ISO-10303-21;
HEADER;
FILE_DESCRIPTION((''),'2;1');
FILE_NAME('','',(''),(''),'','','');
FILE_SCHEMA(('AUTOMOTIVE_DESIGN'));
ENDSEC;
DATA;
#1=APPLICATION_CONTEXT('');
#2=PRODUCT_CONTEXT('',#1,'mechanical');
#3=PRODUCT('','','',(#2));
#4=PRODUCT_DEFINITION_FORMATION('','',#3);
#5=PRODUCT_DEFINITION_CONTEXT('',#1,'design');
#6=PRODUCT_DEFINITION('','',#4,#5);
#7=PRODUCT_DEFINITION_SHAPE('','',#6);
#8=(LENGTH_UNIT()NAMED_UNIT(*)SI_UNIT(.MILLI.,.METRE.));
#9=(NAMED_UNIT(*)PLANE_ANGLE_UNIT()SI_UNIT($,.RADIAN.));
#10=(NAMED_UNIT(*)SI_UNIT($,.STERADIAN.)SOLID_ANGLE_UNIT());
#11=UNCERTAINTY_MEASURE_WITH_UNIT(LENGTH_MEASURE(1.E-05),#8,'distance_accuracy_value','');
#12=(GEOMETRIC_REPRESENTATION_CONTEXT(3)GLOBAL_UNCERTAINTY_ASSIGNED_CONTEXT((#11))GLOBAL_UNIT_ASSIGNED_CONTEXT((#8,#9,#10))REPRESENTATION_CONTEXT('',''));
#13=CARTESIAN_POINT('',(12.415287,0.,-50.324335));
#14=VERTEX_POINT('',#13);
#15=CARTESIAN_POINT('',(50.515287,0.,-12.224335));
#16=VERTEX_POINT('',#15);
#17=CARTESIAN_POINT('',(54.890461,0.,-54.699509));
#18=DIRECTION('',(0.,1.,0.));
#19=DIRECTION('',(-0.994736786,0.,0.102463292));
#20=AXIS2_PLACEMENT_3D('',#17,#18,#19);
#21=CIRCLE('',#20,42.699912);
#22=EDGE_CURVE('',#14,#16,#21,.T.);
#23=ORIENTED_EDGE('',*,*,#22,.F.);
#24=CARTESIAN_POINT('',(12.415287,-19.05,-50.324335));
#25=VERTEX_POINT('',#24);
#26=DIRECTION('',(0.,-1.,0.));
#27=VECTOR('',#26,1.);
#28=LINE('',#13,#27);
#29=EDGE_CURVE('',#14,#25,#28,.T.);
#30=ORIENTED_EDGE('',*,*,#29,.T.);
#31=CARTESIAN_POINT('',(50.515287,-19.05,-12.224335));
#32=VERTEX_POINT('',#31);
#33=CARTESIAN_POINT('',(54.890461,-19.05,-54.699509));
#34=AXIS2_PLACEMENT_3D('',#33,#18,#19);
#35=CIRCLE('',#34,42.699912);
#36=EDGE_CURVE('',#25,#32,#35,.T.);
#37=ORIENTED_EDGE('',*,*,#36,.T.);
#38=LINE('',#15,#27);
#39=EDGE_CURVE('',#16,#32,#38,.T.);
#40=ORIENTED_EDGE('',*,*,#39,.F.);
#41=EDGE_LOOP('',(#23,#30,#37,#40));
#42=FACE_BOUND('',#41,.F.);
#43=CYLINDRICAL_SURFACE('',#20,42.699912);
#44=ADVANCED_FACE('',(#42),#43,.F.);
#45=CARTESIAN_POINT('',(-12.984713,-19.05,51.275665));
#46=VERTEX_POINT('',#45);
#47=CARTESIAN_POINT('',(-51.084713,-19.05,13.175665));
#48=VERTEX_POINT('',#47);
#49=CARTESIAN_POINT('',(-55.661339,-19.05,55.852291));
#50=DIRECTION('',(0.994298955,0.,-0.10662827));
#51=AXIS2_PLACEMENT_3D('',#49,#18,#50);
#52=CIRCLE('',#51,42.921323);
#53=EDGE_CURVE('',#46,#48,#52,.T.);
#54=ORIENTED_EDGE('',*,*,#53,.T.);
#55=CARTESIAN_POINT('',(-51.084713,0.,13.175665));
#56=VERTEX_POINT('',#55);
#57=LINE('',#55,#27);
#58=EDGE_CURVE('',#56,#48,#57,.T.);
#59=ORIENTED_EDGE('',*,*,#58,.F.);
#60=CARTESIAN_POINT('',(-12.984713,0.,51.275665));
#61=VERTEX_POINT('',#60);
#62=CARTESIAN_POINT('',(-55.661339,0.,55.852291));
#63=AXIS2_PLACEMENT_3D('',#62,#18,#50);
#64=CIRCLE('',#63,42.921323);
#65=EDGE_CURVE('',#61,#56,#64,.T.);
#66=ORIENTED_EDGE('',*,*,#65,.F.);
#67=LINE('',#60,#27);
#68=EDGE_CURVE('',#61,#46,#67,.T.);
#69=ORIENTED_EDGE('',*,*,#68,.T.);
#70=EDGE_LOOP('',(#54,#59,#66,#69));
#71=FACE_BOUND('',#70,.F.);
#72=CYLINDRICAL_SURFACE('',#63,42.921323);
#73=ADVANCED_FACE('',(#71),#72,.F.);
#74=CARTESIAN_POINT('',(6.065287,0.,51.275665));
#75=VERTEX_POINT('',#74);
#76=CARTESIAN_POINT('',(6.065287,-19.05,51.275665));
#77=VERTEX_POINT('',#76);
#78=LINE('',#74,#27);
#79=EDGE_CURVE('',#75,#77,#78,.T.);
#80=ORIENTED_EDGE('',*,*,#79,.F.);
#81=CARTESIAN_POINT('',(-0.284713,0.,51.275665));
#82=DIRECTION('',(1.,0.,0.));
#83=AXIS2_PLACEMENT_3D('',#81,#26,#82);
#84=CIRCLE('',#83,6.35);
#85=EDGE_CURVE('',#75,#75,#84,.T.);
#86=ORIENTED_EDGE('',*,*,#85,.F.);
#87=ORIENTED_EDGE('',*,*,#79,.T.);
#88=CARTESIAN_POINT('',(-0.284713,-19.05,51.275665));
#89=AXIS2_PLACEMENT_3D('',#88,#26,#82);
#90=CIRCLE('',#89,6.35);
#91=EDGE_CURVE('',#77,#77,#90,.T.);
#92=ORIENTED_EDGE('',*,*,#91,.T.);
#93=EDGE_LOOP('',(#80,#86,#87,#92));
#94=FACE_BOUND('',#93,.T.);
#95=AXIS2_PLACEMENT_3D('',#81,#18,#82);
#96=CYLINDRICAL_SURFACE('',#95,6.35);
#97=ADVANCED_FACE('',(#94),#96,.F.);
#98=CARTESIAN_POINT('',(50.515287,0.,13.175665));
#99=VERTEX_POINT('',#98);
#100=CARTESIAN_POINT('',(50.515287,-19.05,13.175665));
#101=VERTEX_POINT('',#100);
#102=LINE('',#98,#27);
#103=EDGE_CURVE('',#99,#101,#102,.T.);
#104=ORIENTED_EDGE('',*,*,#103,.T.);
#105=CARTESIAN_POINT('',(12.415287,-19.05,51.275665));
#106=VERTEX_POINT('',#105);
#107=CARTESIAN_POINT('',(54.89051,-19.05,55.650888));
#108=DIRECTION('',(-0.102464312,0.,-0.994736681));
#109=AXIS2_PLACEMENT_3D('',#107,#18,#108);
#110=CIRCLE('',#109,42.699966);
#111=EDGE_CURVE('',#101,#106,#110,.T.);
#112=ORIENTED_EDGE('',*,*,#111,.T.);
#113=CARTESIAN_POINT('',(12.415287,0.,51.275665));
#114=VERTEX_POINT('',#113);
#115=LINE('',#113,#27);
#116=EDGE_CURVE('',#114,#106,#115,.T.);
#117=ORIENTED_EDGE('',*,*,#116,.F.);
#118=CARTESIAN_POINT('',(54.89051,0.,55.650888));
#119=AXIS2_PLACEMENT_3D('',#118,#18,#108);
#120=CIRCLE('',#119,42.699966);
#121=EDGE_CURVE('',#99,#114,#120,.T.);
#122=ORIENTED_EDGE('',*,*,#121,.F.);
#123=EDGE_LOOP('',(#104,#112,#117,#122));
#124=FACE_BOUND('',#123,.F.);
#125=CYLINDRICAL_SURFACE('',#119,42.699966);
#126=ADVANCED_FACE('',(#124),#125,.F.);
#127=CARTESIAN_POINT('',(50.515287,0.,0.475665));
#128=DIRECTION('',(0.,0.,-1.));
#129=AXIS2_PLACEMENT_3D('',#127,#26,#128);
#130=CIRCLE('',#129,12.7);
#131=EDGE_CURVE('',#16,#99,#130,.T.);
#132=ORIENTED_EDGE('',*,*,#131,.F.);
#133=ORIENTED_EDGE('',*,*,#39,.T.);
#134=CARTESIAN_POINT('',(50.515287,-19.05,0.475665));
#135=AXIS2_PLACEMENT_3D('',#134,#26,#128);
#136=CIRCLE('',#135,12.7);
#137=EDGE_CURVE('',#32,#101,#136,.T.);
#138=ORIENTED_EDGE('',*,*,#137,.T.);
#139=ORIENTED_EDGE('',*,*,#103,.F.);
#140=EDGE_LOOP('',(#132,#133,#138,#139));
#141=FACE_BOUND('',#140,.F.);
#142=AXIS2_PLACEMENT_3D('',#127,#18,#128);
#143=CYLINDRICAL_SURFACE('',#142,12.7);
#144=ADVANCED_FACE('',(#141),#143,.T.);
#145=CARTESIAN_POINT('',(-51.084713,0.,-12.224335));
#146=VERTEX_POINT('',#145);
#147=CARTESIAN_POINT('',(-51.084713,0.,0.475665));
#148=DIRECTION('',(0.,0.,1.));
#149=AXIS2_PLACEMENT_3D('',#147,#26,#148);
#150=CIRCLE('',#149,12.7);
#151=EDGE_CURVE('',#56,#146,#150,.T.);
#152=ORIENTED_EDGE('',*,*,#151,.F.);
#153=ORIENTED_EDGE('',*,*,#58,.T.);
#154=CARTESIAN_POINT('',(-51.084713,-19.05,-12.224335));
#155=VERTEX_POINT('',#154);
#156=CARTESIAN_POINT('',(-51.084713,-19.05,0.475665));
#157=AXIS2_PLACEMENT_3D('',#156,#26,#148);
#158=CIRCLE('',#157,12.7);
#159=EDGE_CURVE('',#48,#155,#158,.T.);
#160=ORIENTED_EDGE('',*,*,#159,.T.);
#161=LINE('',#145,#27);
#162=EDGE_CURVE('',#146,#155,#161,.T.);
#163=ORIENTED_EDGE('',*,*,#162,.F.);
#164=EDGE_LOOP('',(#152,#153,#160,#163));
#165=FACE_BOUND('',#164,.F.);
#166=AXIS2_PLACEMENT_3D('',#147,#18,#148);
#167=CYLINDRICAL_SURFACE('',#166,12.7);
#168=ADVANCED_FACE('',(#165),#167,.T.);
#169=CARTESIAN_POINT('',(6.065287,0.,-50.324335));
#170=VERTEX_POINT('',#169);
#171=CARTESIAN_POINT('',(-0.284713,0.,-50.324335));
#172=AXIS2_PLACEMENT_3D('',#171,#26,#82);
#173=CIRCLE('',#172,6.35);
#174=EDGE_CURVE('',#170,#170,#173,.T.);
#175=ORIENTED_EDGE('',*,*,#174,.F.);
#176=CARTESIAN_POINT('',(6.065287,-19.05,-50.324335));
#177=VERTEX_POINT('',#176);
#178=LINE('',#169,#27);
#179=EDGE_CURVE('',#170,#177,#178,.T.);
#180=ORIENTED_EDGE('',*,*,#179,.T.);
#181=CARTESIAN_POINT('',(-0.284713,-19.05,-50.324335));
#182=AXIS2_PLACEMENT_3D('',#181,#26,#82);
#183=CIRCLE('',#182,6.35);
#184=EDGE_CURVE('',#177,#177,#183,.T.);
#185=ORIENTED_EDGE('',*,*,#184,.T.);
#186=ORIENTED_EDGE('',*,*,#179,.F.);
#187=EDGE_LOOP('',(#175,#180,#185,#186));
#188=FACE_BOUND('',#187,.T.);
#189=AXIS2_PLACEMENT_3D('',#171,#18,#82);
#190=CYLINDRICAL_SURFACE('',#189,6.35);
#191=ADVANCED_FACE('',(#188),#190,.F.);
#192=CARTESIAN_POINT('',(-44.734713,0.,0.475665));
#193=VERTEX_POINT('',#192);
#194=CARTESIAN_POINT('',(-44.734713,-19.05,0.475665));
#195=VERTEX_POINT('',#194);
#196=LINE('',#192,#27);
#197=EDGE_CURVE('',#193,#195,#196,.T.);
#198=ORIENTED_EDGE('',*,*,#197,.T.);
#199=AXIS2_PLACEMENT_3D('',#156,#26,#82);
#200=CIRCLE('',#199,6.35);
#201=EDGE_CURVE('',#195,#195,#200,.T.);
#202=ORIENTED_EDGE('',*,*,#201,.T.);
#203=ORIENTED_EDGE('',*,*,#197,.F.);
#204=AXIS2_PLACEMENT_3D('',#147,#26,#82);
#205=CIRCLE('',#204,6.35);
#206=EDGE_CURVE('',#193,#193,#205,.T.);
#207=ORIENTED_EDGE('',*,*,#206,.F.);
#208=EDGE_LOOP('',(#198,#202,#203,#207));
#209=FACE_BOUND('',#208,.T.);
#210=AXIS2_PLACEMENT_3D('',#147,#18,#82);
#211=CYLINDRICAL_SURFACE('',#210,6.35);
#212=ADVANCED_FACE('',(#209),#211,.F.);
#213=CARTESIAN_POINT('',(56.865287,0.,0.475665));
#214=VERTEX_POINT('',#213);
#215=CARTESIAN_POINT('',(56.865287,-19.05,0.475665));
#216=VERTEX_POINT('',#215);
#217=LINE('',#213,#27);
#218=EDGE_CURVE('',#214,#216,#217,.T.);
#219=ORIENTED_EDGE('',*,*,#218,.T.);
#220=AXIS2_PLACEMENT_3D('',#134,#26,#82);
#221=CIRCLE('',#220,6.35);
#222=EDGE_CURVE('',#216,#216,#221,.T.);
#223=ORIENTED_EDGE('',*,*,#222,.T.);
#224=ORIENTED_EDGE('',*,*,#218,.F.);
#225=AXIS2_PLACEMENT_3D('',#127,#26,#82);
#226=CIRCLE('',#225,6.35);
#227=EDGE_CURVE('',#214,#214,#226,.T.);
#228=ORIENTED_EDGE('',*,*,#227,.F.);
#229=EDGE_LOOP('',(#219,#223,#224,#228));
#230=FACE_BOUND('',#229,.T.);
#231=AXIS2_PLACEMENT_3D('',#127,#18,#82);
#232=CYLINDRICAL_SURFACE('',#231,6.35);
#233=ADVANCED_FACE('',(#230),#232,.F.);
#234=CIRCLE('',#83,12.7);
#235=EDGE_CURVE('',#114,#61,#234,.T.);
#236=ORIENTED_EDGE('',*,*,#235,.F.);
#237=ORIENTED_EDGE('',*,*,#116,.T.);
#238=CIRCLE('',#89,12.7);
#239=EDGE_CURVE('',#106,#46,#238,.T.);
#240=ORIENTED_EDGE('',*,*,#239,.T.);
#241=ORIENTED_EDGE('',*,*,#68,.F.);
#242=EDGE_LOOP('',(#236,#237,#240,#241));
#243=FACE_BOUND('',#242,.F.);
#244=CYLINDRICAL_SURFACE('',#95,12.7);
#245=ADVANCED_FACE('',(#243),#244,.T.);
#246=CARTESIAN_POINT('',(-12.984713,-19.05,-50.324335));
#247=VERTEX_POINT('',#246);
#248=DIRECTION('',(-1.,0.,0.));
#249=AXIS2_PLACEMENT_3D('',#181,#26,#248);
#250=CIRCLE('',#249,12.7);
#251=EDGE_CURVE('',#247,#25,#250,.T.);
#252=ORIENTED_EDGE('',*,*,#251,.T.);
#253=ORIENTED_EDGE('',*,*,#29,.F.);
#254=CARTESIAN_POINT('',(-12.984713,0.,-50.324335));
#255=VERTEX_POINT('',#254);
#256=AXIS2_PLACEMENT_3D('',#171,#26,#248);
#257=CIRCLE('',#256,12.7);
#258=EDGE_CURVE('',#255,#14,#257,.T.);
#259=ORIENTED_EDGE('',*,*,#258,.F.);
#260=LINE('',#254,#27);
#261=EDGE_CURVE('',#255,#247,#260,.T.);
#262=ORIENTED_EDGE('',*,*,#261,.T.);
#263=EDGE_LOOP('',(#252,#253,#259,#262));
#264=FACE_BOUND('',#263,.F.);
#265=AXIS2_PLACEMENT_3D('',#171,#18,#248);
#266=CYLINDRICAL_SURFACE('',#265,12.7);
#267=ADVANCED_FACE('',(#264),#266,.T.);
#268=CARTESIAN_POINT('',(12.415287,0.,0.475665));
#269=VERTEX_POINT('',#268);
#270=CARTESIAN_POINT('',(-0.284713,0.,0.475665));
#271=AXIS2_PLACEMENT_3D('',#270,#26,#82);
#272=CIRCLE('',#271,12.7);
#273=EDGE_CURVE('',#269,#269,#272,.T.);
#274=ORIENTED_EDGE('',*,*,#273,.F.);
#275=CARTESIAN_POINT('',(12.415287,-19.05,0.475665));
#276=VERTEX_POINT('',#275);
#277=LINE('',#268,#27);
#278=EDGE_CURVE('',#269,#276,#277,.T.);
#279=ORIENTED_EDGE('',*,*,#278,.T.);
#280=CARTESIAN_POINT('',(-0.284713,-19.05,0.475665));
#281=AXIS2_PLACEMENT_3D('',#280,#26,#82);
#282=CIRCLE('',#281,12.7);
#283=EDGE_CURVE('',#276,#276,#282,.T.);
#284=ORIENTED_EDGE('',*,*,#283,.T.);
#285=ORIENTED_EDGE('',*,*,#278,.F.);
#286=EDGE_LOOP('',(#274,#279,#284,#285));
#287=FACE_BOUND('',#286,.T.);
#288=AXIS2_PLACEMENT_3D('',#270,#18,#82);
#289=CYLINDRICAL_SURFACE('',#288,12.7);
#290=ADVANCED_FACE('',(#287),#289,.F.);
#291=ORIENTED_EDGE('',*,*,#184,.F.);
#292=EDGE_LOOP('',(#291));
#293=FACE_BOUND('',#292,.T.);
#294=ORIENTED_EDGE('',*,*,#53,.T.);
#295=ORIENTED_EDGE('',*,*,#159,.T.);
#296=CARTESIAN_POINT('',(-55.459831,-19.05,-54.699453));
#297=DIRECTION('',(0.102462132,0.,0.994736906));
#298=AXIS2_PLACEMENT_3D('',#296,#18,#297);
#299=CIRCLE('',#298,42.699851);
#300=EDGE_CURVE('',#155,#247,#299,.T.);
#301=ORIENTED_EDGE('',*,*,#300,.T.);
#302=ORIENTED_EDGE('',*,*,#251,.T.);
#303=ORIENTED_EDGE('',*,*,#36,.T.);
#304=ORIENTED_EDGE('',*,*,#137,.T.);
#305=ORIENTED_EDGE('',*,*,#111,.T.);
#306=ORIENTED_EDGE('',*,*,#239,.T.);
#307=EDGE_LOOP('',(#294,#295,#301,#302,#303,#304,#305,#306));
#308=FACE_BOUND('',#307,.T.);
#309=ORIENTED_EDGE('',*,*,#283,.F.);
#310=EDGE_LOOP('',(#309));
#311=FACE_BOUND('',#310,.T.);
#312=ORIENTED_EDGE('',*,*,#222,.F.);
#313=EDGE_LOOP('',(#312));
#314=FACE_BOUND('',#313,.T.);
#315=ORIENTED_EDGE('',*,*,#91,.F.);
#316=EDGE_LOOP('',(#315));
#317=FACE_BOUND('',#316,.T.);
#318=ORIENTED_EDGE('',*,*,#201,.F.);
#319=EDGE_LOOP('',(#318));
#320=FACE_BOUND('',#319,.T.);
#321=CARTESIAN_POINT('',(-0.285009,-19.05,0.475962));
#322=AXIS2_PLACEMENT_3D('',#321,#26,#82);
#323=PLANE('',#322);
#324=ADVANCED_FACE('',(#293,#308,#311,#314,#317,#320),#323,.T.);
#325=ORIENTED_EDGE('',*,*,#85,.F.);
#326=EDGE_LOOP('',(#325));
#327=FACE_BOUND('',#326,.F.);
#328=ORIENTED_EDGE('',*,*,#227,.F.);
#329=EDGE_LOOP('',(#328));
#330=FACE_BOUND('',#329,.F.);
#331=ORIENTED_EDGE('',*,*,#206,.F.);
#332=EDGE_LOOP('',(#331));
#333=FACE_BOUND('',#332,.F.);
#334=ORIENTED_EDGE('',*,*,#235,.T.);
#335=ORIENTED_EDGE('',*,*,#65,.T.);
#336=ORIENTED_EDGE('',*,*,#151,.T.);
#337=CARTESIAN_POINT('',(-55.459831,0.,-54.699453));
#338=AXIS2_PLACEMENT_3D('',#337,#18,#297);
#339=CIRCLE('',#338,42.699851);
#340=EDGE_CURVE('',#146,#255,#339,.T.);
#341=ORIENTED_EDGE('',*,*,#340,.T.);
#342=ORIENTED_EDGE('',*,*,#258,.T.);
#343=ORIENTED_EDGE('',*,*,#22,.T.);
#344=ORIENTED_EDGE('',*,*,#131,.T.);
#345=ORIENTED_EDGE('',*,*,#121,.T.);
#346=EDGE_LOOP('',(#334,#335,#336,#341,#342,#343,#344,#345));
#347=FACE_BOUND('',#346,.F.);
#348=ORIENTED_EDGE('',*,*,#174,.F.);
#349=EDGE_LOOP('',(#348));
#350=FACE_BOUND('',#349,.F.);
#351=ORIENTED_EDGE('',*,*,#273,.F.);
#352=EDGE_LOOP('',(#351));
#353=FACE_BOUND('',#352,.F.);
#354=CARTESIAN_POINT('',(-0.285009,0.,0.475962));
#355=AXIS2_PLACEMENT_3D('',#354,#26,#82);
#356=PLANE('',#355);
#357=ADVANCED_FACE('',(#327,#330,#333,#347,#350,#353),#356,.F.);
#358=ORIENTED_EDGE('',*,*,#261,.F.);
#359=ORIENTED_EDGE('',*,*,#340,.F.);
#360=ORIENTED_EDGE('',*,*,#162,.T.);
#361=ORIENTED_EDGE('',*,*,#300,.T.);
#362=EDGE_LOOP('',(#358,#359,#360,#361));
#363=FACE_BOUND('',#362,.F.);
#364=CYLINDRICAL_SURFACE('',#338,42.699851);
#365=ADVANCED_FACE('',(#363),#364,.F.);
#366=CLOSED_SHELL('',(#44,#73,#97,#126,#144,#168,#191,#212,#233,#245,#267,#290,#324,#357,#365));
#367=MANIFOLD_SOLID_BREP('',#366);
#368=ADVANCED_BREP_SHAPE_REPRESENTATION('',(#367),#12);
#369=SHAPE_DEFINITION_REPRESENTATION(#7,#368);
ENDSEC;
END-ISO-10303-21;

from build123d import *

# Parameters (mm, degrees)
F0_R     = 6.35
F0_R_2   = 12.7
F1_DEPTH = 19.05


with BuildPart() as f1:
    # F0 (on Front) → F1 (new body)
    with BuildSketch(Plane.XZ):
        with BuildLine():
            ThreePointArc((-12.984713, 51.275665), (-25.311381, 25.502333), (-51.084713, 13.175665))
            ThreePointArc((-51.084713, 13.175665), (-63.784713, 0.475665), (-51.084713, -12.224335))
            ThreePointArc((-51.084713, -12.224335), (-25.266476, -24.506099), (-12.984713, -50.324335))
            ThreePointArc((-12.984713, -50.324335), (-0.284713, -63.024335), (12.415287, -50.324335))
            ThreePointArc((12.415287, -50.324335), (24.697063, -24.506111), (50.515287, -12.224335))
            ThreePointArc((50.515287, -12.224335), (63.215287, 0.475665), (50.515287, 13.175665))
            ThreePointArc((50.515287, 13.175665), (24.697074, 25.457452), (12.415287, 51.275665))
            ThreePointArc((12.415287, 51.275665), (-0.284713, 63.975665), (-12.984713, 51.275665))
        make_face()
        with Locations((-0.284713, -50.324335)):
            Circle(F0_R, mode=Mode.SUBTRACT)
        with Locations((-51.084713, 0.475665)):
            Circle(F0_R, mode=Mode.SUBTRACT)
        with Locations((-0.284713, 0.475665)):
            Circle(F0_R_2, mode=Mode.SUBTRACT)
        with Locations((-0.284713, 51.275665)):
            Circle(F0_R, mode=Mode.SUBTRACT)
        with Locations((50.515287, 0.475665)):
            Circle(F0_R, mode=Mode.SUBTRACT)
    extrude(amount=F1_DEPTH)


solid = f1.part
